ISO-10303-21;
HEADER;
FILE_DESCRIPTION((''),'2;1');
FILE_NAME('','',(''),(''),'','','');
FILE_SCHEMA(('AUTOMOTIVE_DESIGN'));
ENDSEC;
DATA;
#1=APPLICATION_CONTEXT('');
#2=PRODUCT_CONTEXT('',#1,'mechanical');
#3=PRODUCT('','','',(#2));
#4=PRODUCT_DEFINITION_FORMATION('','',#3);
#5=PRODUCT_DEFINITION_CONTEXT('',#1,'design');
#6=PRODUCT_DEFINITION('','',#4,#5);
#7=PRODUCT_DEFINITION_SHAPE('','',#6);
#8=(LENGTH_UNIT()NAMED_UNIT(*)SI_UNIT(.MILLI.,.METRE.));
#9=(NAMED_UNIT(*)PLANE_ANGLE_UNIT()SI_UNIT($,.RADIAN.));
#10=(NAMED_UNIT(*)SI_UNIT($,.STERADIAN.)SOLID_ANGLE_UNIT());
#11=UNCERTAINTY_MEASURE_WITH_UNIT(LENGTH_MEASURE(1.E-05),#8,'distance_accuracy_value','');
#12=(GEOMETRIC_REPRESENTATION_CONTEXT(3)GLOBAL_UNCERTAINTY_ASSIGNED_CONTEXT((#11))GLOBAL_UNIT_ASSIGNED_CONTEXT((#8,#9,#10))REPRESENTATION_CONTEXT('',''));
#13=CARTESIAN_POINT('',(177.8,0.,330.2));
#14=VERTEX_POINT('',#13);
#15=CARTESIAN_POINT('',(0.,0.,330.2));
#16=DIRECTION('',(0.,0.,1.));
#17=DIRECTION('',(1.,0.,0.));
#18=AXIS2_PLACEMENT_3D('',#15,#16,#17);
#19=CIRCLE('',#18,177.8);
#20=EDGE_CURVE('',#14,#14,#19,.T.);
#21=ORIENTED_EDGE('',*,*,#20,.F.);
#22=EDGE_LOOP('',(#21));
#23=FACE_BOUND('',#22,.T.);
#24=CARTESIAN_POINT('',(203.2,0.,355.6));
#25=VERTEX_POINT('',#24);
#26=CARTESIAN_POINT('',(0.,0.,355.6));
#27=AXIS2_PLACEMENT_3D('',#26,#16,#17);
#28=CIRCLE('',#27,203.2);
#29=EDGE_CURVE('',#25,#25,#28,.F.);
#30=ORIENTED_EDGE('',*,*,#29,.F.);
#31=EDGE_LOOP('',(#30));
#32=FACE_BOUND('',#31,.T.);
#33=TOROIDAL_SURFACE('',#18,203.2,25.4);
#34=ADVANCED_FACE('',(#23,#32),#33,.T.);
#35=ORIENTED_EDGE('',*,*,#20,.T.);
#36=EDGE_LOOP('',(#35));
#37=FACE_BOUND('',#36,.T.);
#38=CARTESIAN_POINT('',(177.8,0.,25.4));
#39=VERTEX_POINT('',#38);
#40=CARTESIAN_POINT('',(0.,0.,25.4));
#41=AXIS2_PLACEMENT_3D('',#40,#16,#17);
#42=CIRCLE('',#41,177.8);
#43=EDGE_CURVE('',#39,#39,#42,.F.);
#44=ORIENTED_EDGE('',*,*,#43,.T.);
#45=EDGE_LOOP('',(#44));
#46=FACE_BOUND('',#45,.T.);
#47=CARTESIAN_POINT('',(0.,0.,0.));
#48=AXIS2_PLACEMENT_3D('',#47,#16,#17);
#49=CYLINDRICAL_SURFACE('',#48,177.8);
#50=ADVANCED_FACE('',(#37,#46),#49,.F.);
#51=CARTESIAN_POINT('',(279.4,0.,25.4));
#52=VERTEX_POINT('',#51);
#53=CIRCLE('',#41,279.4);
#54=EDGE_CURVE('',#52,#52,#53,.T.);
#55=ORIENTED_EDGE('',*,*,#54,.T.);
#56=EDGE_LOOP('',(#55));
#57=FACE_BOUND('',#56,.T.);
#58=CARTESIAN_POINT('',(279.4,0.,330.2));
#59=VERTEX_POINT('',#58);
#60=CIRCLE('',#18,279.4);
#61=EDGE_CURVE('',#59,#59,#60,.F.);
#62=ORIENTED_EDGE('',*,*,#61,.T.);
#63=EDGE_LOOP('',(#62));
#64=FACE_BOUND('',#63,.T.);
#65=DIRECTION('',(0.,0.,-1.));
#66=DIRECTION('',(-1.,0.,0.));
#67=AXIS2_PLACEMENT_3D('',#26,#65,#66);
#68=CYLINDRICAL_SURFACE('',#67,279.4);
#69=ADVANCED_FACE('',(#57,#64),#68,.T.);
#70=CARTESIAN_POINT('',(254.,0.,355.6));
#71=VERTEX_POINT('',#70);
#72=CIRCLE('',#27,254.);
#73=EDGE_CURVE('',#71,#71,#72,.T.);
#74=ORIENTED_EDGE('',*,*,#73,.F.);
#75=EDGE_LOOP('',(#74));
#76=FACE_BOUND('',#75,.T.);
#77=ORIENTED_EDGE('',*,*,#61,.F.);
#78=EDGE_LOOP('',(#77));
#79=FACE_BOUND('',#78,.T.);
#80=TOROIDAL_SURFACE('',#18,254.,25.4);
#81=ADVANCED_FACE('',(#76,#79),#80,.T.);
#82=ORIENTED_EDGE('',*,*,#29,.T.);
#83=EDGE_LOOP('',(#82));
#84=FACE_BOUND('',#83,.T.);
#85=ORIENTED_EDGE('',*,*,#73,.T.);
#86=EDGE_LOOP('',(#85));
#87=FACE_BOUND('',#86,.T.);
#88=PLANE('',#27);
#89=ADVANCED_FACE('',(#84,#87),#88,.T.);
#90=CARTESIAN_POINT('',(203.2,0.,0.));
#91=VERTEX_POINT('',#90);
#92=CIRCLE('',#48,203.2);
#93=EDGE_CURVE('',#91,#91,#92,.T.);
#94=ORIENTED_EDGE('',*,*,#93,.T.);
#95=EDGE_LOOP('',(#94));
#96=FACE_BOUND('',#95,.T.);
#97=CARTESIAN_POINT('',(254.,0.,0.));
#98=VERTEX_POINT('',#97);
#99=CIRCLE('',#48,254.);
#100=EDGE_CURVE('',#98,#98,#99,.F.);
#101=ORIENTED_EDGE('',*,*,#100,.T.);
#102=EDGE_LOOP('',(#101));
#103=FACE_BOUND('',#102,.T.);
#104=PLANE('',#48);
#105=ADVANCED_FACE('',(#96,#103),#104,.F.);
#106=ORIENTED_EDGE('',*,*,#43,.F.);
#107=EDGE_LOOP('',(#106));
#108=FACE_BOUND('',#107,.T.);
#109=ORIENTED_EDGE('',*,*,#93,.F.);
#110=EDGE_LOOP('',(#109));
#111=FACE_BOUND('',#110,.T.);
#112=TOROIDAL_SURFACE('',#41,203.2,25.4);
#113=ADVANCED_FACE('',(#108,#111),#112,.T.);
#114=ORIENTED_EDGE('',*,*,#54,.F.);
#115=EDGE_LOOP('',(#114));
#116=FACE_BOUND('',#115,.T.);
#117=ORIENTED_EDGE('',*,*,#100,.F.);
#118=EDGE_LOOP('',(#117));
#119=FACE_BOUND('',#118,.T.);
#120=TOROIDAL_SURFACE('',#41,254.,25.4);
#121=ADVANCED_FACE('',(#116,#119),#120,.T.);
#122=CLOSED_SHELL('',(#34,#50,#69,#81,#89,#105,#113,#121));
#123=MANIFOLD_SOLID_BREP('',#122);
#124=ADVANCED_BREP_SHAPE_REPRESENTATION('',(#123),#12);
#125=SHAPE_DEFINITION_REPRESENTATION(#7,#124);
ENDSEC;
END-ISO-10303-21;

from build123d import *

# Parameters (mm, degrees)
SKETCH2_R           = 279.4
BOSS_EXTRUDE1_DEPTH = 355.6
SKETCH3_R           = 177.8
CUT_EXTRUDE1_DEPTH  = 532.582618226
FILLET3_R           = 25.4
FILLET4_R           = 25.4


with BuildPart() as part:
    # Sketch2 → Boss-Extrude1 (new body)
    with BuildSketch(Plane.XY):
        Circle(SKETCH2_R)
    extrude(amount=BOSS_EXTRUDE1_DEPTH)

    # Sketch3 → Cut-Extrude1 (cut, through all)
    with BuildSketch(Plane.XY.offset(355.6)):
        Circle(SKETCH3_R)
    extrude(amount=-CUT_EXTRUDE1_DEPTH, mode=Mode.SUBTRACT)

    # Fillet3
    fillet3_edges = [part.edges().sort_by_distance(p)[0] for p in [
        (-279.4, 0, 0),
        (-279.4, 0, 355.6),
    ]]
    fillet(fillet3_edges, radius=FILLET3_R)

    # Fillet4
    fillet4_edges = [part.edges().sort_by_distance(p)[0] for p in [
        (-177.8, 0, 0),
        (-177.8, 0, 355.6),
    ]]
    fillet(fillet4_edges, radius=FILLET4_R)


solid = part.part
